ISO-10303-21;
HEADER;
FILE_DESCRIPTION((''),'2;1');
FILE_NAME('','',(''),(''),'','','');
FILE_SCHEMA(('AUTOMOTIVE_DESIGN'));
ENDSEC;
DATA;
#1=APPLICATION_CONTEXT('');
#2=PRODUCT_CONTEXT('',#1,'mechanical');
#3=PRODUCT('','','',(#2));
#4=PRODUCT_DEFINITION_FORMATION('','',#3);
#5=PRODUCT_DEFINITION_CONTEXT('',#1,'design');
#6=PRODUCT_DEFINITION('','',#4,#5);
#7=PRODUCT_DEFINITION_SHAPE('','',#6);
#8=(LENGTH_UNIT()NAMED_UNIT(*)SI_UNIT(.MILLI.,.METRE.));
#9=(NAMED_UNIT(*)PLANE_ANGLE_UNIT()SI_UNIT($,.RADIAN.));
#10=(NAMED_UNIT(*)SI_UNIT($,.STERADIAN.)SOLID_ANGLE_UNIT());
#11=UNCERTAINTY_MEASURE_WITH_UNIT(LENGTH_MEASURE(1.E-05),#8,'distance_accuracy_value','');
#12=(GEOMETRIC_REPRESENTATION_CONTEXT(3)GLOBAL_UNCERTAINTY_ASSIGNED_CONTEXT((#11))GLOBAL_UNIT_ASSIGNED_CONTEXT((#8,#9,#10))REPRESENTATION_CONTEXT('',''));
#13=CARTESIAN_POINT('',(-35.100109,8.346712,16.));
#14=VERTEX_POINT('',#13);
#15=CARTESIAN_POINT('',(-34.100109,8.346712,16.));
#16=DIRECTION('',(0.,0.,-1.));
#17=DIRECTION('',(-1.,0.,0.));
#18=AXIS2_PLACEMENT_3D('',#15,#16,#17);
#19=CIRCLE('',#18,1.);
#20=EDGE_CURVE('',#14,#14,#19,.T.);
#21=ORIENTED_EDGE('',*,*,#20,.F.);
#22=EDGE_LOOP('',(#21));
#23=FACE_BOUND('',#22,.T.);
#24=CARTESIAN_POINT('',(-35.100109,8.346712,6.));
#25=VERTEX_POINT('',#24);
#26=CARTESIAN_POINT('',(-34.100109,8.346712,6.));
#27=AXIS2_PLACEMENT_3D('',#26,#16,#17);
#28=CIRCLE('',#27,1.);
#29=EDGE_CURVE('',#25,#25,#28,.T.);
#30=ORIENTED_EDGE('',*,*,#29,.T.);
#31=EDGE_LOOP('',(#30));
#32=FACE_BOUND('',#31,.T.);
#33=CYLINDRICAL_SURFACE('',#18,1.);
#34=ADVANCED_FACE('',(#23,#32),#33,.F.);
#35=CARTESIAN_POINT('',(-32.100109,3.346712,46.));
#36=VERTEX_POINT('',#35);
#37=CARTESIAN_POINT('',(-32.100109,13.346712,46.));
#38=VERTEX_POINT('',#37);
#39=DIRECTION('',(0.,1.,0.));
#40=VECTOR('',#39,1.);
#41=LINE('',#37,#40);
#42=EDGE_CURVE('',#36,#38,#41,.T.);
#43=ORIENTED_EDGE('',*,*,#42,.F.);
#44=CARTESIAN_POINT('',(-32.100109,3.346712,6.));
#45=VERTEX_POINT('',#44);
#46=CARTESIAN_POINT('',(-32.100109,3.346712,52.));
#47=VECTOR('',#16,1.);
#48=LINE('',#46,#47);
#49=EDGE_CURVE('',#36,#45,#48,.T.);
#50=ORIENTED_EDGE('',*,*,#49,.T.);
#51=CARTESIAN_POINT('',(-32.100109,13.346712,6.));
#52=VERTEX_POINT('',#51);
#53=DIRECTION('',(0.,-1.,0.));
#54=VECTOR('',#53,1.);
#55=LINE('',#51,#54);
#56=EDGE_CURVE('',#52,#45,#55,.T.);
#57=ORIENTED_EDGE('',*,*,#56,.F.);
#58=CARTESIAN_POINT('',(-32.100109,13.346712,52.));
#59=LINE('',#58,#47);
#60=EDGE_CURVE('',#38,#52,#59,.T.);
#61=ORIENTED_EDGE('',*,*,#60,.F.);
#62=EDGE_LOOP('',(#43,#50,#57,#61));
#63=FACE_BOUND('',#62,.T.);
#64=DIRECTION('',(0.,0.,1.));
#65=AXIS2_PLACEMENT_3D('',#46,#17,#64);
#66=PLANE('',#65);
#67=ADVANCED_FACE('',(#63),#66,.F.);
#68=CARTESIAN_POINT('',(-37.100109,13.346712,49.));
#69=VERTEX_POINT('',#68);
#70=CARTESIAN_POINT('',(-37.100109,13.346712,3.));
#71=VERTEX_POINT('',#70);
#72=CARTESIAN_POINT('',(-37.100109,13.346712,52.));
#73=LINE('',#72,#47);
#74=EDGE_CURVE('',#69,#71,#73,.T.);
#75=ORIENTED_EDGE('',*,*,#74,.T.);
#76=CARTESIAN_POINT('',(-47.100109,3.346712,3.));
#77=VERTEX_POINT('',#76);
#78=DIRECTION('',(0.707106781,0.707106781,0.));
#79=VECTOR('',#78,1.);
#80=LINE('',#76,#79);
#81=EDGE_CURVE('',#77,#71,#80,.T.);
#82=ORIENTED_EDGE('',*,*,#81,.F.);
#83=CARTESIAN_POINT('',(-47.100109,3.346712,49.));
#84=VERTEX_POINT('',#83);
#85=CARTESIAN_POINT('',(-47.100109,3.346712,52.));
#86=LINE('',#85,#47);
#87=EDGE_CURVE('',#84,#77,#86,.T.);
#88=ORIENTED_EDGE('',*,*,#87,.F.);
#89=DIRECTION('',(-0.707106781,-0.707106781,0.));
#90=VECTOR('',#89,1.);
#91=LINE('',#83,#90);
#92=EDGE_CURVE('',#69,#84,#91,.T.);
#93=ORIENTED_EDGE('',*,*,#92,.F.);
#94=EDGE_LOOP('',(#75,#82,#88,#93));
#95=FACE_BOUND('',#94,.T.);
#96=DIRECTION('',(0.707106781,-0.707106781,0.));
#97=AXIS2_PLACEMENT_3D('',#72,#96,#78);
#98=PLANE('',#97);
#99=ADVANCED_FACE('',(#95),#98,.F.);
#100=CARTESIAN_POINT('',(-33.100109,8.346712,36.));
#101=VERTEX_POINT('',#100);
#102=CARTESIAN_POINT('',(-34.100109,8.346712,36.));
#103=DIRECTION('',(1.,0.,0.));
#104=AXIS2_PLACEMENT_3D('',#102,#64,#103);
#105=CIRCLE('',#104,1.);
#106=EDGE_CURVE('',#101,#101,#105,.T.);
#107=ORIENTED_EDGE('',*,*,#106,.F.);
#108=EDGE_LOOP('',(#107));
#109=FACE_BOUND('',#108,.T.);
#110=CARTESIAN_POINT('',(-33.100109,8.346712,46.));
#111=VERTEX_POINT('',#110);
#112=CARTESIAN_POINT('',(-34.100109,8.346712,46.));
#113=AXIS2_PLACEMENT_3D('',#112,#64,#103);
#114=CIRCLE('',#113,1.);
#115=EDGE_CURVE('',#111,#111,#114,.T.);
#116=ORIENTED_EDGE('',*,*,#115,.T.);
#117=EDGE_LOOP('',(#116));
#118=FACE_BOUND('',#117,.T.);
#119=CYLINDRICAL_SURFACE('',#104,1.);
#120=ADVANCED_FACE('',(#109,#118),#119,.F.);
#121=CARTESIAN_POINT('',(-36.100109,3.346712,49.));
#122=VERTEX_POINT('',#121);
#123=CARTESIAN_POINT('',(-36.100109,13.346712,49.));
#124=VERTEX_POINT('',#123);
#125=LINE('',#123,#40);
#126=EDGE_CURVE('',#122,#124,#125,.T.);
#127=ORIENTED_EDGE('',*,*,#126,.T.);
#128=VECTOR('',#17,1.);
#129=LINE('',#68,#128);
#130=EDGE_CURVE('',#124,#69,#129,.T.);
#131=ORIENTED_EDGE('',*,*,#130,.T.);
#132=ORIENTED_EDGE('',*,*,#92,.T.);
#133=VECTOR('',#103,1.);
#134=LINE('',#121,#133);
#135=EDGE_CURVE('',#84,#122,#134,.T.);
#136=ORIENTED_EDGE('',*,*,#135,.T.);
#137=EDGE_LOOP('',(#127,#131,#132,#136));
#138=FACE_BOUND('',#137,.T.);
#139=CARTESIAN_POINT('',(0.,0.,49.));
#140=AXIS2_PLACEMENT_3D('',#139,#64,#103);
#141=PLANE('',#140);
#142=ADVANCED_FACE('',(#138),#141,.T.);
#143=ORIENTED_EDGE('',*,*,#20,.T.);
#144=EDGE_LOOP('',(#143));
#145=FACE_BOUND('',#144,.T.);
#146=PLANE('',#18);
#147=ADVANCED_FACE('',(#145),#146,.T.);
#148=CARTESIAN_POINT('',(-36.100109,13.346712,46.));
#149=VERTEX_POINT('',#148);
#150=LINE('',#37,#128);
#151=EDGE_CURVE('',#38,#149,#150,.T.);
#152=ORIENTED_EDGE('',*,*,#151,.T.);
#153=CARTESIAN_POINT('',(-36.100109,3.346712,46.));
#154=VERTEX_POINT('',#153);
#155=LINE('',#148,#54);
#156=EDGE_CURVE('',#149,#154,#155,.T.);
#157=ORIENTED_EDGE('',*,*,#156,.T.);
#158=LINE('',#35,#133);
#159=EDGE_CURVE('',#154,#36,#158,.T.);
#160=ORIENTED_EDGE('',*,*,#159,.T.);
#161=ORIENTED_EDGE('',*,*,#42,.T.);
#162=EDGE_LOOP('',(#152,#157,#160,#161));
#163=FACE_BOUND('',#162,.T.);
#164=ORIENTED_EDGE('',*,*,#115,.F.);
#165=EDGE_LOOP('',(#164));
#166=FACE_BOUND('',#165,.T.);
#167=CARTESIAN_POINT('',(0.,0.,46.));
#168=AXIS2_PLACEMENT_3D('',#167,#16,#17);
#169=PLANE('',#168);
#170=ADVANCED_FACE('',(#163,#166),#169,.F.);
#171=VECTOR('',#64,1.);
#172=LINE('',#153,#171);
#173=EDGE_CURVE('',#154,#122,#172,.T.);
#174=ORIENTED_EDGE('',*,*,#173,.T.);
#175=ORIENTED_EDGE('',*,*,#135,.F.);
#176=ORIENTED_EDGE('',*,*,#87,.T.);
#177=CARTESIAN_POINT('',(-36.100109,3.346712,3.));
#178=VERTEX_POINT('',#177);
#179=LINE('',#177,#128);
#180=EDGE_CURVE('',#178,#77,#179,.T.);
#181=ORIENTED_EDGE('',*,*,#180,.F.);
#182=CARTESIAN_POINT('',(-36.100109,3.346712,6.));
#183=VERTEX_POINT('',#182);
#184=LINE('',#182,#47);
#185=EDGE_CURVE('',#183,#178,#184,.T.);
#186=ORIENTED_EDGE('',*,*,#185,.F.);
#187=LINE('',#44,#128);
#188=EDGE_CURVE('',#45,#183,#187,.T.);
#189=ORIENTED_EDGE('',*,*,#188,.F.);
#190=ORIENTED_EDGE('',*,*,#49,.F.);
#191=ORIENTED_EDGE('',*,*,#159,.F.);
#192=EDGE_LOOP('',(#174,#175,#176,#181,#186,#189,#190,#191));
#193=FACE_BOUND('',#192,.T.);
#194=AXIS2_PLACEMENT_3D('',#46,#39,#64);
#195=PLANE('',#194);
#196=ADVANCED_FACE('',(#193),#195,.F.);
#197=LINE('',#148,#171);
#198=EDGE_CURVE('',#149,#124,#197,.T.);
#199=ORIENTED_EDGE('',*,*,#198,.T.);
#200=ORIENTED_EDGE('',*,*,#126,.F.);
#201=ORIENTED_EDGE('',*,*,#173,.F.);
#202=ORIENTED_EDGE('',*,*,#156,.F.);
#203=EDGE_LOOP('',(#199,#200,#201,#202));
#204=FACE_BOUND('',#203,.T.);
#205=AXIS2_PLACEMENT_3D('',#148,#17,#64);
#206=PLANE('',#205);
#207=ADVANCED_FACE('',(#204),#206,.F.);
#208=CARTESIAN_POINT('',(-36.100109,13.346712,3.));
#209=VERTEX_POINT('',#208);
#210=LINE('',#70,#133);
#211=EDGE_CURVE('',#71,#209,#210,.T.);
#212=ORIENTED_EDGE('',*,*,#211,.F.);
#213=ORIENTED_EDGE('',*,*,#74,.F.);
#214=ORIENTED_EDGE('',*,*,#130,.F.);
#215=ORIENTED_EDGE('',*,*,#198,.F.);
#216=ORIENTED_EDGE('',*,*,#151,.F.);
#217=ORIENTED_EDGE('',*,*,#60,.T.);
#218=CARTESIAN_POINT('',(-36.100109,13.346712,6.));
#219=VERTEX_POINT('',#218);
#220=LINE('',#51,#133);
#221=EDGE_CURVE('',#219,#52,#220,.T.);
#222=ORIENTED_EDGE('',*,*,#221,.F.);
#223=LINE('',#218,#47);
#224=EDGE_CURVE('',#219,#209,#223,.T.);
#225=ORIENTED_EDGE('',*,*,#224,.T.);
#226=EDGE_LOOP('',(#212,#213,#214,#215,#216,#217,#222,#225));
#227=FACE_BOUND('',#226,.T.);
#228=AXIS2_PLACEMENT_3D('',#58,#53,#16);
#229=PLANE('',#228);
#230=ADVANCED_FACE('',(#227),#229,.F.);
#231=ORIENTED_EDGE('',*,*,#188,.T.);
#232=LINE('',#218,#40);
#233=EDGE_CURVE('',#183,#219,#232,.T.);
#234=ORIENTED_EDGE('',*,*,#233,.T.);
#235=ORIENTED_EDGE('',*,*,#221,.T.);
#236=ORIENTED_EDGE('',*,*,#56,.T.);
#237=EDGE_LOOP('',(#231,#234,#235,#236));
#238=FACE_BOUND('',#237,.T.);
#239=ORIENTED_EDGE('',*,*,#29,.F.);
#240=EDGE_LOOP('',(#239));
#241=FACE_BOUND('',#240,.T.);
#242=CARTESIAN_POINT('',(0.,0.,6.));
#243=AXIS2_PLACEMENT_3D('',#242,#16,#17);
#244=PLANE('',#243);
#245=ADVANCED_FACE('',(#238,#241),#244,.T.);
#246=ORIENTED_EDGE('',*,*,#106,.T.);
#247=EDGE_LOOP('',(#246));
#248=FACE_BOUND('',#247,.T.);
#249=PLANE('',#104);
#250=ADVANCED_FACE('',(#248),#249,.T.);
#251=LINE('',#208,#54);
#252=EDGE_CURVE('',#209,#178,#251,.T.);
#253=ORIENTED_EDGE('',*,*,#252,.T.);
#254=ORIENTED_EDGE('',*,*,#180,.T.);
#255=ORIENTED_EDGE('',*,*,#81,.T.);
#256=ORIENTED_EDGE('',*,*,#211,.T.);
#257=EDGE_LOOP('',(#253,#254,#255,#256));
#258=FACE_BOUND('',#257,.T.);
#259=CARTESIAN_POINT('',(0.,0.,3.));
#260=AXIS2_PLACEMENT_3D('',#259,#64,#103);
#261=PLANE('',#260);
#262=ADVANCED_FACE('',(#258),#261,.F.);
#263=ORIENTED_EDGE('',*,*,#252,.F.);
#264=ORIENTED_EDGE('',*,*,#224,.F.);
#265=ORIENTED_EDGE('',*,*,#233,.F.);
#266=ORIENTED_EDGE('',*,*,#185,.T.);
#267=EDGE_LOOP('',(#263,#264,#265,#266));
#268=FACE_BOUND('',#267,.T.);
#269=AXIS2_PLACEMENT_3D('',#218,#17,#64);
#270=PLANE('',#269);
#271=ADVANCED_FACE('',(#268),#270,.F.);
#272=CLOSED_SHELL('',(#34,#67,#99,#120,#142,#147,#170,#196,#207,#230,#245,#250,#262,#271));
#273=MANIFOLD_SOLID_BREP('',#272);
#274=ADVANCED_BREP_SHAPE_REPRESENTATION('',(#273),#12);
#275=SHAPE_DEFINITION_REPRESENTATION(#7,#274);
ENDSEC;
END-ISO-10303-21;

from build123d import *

# Parameters (mm, degrees)
BOSS_EXTRUDE1_DEPTH = 52
SKETCH4_W           = 4
SKETCH4_H           = 10
CUT_EXTRUDE1_DEPTH  = 6
SKETCH5_W           = 4
SKETCH5_H           = 10
CUT_EXTRUDE2_DEPTH  = 6
CUT_EXTRUDE3_DEPTH  = 3
CUT_EXTRUDE4_DEPTH  = 3
SKETCH8_R           = 1
CUT_EXTRUDE5_DEPTH  = 10
SKETCH9_R           = 1
CUT_EXTRUDE6_DEPTH  = 10


with BuildPart() as part:
    # Sketch1 → Boss-Extrude1 (new body)
    with BuildSketch(Plane.XY):
        Polygon((-37.100108605, 13.346711561), (-47.100108605, 3.346711561), (-32.100108605, 3.346711561), (-32.100108605, 13.346711561), align=None)
    extrude(amount=BOSS_EXTRUDE1_DEPTH)

    # Sketch4 → Cut-Extrude1 (cut)
    with BuildSketch(Plane.XY.offset(52)):
        with Locations((-34.100108605, 8.346711561)):
            Rectangle(SKETCH4_W, SKETCH4_H)
    extrude(amount=-CUT_EXTRUDE1_DEPTH, mode=Mode.SUBTRACT)

    # Sketch5 → Cut-Extrude2 (cut)
    with BuildSketch(Plane(origin=(0, 0, 0), x_dir=(-1, 0, 0), z_dir=(0, 0, -1))):
        with Locations((34.100108605, 8.346711561)):
            Rectangle(SKETCH5_W, SKETCH5_H)
    extrude(amount=-CUT_EXTRUDE2_DEPTH, mode=Mode.SUBTRACT)

    # Sketch6 → Cut-Extrude3 (cut)
    with BuildSketch(Plane.XY.offset(52)):
        Polygon((-47.100108605, 3.346711561), (-37.100108605, 13.346711561), (-36.100108605, 13.346711561), (-36.100108605, 3.346711561), align=None)
    extrude(amount=-CUT_EXTRUDE3_DEPTH, mode=Mode.SUBTRACT)

    # Sketch7 → Cut-Extrude4 (cut)
    with BuildSketch(Plane(origin=(0, 0, 0), x_dir=(-1, 0, 0), z_dir=(0, 0, -1))):
        Polygon((47.100108605, 3.346711561), (37.100108605, 13.346711561), (36.100108605, 13.346711561), (36.100108605, 3.346711561), align=None)
    extrude(amount=-CUT_EXTRUDE4_DEPTH, mode=Mode.SUBTRACT)

    # Sketch8 → Cut-Extrude5 (cut)
    with BuildSketch(Plane(origin=(0, 0, 6), x_dir=(-1, 0, 0), z_dir=(0, 0, -1))):
        with Locations((34.100108605, 8.346711561)):
            Circle(SKETCH8_R)
    extrude(amount=-CUT_EXTRUDE5_DEPTH, mode=Mode.SUBTRACT)

    # Sketch9 → Cut-Extrude6 (cut)
    with BuildSketch(Plane.XY.offset(46)):
        with Locations((-34.100108605, 8.346711561)):
            Circle(SKETCH9_R)
    extrude(amount=-CUT_EXTRUDE6_DEPTH, mode=Mode.SUBTRACT)


solid = part.part
